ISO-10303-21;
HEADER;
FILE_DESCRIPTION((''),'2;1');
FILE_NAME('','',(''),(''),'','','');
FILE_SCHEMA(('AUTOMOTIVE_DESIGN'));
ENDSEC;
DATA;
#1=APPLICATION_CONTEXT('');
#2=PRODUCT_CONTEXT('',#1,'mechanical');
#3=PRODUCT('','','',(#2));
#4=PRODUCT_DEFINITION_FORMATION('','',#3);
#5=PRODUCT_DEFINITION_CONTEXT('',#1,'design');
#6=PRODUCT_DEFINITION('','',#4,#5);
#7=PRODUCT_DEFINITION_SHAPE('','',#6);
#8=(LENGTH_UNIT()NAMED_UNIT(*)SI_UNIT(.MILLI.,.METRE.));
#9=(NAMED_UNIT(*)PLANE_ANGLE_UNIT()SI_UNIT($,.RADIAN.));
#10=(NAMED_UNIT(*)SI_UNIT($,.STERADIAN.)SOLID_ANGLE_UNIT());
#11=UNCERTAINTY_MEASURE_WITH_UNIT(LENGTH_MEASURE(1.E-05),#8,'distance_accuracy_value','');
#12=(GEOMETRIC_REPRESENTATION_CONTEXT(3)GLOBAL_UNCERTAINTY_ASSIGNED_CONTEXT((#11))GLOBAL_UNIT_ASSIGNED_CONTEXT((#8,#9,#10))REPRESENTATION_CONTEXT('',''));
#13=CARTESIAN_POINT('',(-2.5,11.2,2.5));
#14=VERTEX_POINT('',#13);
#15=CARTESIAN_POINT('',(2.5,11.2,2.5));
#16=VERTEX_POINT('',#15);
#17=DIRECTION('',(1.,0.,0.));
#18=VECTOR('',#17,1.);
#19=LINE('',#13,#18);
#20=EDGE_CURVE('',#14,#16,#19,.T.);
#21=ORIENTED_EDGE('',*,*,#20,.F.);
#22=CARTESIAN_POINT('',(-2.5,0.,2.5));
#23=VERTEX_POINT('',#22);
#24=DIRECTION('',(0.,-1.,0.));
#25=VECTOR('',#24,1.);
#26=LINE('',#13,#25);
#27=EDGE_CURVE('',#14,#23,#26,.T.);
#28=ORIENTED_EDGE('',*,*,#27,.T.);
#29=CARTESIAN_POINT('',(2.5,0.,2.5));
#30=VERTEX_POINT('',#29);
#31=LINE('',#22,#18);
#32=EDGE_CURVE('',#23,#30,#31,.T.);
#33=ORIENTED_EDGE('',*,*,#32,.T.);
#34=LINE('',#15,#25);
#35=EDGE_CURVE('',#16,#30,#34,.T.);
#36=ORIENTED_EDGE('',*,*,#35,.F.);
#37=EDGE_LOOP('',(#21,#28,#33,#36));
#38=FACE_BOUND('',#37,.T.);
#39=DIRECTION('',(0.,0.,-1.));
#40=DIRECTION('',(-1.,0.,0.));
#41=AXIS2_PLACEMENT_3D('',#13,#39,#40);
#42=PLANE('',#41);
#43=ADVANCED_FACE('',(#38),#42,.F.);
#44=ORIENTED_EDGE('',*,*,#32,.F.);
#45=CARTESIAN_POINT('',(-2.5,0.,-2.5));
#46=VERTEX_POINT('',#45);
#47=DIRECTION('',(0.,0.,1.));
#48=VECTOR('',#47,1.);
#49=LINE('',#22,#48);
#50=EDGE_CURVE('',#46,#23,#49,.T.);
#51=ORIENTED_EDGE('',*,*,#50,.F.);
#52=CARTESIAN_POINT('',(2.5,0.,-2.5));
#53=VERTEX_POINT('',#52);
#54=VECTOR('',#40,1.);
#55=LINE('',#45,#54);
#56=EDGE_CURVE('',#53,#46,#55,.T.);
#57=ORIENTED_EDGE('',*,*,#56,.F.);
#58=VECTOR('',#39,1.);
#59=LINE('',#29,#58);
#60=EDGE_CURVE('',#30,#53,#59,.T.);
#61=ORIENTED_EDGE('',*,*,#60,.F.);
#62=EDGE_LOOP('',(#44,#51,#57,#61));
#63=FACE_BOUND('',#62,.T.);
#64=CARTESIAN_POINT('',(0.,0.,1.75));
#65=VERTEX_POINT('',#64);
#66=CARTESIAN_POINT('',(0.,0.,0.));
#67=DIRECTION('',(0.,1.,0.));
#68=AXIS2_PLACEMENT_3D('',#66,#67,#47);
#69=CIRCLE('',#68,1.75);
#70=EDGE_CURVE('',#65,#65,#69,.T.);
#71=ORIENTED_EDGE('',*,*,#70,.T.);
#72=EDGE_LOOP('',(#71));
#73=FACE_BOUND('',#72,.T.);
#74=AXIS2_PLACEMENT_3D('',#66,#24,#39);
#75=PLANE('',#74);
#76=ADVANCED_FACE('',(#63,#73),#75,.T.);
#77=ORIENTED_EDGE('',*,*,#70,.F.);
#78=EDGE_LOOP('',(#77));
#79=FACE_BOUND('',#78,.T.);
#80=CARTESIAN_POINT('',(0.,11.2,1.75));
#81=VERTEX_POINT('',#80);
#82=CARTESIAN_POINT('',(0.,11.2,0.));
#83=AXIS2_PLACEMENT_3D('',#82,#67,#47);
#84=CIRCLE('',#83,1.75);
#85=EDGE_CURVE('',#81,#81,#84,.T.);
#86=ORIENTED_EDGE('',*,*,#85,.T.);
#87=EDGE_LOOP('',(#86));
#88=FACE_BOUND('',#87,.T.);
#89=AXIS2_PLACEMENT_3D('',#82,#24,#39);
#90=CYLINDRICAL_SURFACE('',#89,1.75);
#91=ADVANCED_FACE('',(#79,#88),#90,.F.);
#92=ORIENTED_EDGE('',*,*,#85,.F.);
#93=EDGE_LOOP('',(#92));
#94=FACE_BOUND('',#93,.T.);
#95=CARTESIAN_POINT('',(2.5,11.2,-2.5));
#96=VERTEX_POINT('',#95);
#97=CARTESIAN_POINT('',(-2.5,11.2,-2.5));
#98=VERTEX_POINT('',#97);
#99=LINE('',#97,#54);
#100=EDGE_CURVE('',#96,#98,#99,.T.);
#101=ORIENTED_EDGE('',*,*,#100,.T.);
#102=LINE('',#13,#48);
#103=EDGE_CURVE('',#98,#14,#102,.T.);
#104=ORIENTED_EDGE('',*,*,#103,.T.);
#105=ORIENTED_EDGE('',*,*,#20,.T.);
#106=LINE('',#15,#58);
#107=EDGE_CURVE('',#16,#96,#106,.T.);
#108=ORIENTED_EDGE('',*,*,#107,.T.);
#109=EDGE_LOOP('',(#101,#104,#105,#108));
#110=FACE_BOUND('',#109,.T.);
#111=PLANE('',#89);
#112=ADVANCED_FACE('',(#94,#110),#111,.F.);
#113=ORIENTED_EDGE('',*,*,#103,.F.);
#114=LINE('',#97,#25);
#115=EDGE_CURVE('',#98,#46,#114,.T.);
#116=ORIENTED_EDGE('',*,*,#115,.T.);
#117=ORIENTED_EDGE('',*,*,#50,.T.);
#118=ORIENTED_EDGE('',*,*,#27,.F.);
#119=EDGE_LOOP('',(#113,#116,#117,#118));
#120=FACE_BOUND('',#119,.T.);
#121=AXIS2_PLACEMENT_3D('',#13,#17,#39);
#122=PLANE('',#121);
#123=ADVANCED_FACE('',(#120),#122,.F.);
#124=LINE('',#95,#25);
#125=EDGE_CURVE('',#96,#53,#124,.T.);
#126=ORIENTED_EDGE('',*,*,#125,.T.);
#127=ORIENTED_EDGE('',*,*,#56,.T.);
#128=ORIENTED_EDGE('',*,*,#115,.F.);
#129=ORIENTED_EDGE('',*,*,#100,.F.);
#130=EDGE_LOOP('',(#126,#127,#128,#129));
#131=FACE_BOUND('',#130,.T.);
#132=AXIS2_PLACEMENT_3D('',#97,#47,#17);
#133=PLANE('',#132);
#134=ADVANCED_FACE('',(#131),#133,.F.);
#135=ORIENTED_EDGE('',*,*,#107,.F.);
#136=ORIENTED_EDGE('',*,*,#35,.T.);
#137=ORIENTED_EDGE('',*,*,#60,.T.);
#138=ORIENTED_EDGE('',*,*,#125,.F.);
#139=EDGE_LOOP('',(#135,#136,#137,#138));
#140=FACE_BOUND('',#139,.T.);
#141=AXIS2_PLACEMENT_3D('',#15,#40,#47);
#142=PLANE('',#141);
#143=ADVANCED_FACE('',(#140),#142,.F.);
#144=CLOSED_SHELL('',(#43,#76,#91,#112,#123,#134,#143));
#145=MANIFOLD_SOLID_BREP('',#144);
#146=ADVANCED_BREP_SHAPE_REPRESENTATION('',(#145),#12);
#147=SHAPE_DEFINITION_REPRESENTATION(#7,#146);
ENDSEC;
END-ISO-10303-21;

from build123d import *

# Parameters (mm, degrees)
SZKIC1_W                    = 5
SZKIC1_H                    = 5
SZKIC1_R                    = 1.75
DODANIE_WYCI_GNI_CIE1_DEPTH = 11.2


with BuildPart() as part:
    # Szkic1 → Dodanie-wyciągnięcie1 (new body)
    with BuildSketch(Plane(origin=(0, 0, 0), x_dir=(1, 0, 0), z_dir=(0, 1, 0))):
        Rectangle(SZKIC1_W, SZKIC1_H)
        with Locations(Location((0, 0, 0), (0, 0, 270))):
            Circle(SZKIC1_R, mode=Mode.SUBTRACT)
    extrude(amount=DODANIE_WYCI_GNI_CIE1_DEPTH)


solid = part.part
